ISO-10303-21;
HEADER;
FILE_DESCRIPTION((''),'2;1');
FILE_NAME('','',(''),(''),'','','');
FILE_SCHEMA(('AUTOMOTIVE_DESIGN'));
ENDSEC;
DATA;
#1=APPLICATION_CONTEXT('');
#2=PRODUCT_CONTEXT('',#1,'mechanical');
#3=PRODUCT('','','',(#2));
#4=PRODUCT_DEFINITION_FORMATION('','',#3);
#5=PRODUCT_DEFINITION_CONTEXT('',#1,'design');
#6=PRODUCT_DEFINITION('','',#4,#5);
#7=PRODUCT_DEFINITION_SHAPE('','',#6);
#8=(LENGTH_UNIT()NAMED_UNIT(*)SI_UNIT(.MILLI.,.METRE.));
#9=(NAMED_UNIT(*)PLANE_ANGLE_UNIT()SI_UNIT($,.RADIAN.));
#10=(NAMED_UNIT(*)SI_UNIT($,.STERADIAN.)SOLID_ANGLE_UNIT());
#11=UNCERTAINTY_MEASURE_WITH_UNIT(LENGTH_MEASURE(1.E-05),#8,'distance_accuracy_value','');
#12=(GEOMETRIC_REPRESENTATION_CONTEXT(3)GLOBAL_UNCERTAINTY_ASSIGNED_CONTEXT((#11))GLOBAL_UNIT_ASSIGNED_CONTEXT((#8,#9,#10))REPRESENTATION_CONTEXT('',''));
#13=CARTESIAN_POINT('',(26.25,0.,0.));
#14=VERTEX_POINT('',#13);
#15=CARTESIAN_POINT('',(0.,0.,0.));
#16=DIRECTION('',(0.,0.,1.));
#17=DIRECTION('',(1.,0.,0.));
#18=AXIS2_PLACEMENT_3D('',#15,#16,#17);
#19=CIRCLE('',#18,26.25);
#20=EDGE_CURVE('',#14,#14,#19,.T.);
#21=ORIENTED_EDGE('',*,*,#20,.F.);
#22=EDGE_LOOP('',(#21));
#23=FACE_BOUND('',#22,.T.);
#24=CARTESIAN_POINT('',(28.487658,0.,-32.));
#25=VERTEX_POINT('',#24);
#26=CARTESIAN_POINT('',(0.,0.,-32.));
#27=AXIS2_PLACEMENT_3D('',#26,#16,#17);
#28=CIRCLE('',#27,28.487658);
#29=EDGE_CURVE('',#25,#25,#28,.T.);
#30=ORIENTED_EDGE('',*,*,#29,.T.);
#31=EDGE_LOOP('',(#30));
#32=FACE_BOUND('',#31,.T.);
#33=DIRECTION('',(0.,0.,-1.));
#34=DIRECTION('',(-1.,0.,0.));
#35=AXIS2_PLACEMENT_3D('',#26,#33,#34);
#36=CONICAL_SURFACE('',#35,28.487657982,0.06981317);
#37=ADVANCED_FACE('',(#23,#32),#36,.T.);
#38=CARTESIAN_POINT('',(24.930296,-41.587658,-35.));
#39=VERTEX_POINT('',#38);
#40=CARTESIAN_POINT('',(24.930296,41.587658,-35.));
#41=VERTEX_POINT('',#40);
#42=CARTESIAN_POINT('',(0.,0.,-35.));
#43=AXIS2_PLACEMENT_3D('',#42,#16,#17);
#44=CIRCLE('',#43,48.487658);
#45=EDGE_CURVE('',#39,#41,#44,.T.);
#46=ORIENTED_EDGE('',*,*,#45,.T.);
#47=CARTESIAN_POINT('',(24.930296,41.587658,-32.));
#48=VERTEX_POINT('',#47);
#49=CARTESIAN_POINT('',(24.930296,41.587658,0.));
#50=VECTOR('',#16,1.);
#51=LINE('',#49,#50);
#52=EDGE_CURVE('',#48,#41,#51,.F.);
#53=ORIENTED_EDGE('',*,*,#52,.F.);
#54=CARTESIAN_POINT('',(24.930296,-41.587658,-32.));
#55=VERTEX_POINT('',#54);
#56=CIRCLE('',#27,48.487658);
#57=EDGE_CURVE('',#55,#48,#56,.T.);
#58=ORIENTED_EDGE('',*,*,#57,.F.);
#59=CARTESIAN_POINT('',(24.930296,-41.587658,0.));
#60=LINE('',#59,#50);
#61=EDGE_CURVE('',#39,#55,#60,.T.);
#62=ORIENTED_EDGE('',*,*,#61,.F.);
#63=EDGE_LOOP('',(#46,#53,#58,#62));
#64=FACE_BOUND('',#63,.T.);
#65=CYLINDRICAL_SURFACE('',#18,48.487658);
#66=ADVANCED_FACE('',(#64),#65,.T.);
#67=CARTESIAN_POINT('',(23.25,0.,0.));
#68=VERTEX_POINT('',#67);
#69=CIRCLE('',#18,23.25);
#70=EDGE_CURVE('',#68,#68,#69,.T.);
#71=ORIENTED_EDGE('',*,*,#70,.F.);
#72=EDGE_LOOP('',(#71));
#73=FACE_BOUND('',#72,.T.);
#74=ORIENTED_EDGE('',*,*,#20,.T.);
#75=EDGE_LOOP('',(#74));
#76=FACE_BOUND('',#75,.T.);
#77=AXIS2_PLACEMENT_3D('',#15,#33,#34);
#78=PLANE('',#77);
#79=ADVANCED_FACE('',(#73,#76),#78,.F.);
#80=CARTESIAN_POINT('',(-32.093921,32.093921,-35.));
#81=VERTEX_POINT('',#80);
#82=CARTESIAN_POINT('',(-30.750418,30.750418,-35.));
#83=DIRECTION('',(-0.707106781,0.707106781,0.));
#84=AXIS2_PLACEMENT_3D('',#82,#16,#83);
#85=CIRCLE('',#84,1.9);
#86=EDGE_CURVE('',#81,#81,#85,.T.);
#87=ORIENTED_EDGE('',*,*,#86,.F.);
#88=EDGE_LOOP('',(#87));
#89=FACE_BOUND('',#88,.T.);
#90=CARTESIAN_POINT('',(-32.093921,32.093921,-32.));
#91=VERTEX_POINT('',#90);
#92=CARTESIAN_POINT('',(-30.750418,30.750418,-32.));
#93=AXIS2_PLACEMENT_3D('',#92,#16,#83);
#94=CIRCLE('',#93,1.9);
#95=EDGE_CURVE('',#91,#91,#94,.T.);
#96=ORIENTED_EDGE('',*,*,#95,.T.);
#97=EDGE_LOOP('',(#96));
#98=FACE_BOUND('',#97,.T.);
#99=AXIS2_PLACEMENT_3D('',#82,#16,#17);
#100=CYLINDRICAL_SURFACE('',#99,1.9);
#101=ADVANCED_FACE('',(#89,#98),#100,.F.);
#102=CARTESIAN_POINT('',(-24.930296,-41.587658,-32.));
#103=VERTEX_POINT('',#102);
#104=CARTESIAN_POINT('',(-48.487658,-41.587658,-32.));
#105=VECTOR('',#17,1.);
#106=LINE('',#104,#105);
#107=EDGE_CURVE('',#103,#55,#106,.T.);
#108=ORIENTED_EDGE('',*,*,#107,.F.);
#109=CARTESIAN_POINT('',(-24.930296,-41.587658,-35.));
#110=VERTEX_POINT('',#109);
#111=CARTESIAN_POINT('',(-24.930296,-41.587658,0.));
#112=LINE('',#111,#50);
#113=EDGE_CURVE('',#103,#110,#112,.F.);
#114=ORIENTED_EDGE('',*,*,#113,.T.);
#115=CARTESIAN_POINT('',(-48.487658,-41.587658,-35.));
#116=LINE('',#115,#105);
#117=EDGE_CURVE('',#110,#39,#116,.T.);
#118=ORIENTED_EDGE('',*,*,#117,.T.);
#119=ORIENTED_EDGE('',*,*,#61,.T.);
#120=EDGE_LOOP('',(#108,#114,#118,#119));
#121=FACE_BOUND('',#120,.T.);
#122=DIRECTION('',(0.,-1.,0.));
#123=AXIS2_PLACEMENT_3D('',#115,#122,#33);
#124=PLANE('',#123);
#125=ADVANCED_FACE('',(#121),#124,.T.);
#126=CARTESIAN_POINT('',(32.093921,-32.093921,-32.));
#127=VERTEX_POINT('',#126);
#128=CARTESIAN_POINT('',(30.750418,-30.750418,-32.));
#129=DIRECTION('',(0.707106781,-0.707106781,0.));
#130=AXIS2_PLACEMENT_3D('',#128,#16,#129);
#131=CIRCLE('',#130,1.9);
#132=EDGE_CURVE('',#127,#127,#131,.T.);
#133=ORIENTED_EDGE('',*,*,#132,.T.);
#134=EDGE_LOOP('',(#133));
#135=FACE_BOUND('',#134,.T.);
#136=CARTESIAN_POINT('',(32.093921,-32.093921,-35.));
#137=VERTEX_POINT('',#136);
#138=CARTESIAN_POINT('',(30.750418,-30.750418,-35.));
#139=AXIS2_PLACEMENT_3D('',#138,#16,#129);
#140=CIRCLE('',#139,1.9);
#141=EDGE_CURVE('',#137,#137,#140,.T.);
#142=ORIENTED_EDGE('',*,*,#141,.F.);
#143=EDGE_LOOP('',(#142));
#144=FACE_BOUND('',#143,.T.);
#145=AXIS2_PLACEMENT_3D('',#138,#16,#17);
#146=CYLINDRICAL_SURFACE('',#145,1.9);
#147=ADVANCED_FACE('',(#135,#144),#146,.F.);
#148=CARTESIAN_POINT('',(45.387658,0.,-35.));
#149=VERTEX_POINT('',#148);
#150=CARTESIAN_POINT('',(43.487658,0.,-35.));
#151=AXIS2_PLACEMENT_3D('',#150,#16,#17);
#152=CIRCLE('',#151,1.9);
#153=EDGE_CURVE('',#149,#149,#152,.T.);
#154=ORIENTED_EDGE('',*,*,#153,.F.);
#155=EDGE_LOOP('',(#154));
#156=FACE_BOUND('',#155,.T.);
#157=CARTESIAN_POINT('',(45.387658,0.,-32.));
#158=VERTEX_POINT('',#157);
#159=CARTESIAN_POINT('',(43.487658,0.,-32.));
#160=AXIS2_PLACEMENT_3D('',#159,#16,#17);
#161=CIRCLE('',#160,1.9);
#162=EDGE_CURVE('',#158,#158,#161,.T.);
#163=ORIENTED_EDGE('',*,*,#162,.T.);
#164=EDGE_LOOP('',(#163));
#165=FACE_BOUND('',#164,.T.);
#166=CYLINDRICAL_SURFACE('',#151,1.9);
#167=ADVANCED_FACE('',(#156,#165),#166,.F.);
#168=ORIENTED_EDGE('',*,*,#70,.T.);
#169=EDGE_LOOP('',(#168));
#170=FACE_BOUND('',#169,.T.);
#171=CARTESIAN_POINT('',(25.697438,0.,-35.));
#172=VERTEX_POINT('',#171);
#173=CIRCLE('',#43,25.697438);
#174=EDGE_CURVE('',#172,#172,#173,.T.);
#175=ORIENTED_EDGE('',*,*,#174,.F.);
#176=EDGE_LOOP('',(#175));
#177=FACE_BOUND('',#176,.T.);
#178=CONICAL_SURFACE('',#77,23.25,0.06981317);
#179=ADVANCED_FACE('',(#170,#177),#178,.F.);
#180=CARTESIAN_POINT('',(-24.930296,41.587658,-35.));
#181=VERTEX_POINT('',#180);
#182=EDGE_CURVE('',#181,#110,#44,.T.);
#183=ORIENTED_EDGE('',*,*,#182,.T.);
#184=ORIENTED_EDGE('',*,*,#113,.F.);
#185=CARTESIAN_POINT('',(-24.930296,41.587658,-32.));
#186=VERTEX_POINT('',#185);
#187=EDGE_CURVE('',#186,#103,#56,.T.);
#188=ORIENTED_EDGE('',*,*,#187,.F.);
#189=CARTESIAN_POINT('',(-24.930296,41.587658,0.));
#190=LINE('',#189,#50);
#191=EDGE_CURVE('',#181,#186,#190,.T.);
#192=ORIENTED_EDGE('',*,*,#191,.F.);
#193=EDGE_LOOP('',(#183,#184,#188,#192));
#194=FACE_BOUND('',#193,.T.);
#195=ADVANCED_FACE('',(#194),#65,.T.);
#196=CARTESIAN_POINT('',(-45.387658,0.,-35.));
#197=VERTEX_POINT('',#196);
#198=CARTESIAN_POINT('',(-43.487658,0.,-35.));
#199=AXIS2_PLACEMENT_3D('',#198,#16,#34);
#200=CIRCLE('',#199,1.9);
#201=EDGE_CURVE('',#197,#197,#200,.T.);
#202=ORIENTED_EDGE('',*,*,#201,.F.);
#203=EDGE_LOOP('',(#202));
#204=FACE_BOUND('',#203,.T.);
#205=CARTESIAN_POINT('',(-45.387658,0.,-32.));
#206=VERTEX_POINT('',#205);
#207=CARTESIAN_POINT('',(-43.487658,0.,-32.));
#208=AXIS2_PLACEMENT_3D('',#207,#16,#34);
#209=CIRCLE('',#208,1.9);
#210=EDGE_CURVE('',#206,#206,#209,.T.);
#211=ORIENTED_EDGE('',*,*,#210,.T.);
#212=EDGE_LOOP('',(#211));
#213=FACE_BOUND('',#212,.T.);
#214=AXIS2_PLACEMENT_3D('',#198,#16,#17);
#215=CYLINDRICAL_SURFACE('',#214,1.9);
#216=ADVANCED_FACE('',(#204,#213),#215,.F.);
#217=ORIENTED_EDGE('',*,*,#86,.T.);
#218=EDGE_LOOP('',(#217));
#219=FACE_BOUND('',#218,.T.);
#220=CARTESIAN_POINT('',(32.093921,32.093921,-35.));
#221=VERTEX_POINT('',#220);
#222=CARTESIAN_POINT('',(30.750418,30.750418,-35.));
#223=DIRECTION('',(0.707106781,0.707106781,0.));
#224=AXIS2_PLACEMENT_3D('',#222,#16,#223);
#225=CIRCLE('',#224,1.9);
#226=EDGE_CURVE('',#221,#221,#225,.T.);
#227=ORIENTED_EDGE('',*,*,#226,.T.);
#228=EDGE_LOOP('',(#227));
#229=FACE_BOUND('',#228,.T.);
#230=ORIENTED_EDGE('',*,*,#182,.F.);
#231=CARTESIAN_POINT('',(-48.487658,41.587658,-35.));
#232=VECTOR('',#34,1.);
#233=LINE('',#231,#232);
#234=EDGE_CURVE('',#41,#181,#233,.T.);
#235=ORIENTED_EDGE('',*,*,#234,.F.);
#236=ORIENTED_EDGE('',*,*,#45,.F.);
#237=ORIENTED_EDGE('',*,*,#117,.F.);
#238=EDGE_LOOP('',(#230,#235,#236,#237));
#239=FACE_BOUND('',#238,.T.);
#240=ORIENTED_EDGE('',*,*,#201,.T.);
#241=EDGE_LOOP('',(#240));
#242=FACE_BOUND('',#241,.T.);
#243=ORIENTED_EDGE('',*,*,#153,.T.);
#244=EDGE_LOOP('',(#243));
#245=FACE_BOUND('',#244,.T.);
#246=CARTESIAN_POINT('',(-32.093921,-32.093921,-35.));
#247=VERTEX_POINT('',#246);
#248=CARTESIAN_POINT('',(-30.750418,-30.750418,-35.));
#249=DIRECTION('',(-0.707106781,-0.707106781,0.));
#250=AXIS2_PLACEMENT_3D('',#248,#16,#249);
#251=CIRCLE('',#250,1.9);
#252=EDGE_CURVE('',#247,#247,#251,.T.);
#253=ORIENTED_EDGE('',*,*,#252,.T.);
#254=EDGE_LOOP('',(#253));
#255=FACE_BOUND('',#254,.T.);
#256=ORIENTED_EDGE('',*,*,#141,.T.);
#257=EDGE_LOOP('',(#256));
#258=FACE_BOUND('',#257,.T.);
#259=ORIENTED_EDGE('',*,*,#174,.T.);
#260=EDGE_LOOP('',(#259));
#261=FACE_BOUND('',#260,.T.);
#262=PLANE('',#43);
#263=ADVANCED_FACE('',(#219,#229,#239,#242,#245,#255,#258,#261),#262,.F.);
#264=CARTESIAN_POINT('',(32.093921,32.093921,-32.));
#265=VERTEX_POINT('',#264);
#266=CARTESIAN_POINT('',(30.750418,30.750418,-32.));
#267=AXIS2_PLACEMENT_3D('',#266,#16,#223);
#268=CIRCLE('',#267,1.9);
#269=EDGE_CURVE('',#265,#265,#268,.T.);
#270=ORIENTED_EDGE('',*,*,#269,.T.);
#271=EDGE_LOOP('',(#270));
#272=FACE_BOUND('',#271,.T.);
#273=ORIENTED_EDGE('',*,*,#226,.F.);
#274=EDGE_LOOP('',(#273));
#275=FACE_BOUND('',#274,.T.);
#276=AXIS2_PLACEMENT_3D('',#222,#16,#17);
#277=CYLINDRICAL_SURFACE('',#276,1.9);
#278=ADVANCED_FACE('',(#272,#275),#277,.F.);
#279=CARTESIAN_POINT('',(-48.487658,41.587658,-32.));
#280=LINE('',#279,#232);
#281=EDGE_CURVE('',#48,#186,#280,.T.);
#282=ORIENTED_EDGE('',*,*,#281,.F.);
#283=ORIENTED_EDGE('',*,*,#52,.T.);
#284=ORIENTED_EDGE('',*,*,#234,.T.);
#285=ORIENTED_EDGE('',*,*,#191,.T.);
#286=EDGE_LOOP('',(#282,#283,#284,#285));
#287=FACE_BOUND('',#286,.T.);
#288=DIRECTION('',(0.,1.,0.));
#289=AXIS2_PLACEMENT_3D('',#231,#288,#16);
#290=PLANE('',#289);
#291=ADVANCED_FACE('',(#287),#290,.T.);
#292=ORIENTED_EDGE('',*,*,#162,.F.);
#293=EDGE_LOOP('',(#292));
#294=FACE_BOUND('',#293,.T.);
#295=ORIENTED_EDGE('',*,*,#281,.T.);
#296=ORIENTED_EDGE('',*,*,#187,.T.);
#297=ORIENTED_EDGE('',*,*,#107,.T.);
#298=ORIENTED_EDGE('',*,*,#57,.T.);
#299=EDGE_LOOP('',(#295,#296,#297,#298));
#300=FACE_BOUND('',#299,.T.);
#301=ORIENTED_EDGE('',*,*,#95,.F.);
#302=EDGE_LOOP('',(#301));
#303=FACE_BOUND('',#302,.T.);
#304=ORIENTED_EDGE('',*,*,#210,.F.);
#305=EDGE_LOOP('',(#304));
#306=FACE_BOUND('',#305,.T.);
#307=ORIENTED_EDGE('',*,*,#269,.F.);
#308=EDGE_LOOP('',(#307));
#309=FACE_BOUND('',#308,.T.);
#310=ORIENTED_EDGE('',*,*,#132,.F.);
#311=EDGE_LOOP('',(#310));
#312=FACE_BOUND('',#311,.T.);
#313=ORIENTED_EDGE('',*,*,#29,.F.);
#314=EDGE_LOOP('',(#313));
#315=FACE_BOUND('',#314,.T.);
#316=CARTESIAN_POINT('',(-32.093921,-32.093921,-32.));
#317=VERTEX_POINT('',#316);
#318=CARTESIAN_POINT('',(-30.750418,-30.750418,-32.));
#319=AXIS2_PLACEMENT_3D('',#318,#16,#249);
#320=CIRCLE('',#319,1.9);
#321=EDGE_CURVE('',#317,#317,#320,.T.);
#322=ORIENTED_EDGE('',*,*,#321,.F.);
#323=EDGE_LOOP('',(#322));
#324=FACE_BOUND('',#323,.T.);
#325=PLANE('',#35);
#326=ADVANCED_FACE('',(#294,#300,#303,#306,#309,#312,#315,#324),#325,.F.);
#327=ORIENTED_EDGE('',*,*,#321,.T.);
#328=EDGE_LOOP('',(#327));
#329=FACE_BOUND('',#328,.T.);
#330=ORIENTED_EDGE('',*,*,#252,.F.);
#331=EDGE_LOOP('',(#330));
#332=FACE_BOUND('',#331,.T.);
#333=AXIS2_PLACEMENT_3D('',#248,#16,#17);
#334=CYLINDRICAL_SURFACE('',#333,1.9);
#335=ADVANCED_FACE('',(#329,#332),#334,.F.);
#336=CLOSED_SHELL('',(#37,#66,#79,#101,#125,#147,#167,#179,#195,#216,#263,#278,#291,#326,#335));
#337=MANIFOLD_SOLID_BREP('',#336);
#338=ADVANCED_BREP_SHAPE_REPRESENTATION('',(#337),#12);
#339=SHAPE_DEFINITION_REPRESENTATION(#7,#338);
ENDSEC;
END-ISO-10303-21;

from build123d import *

# Parameters (mm, degrees)
SKETCH3_R          = 1.9
CUT_EXTRUDE1_DEPTH = 4
CIRPATTERN1_COUNT  = 8
SKETCH4_W          = 196.975315964
SKETCH4_H          = 183.175315964
SKETCH4_W_2        = 96.975315964
SKETCH4_H_2        = 83.175315964
CUT_EXTRUDE2_DEPTH = 4


with BuildPart() as part:
    # Sketch2 → Revolve1 (revolve)
    with BuildSketch(Plane(origin=(0, 0, 0), x_dir=(1, 0, 0), z_dir=(0, 1, 0))):
        Polygon((-28.697438418, 35), (-26.25, 0), (-23.25, 0), (-25.697438418, 35), align=None)
        Polygon((-28.487657982, 32), (-28.697438418, 35), (-48.487657982, 35), (-48.487657982, 32), align=None)
    revolve(axis=Axis((0, 0, 0), (0, 0, -1)))

    # Sketch3 → Cut-Extrude1 (cut, through all)
    with BuildSketch(Plane.XY.offset(-32)):
        with Locations((43.487657982, 0)):
            Circle(SKETCH3_R)
    cut_extrude1 = extrude(amount=-CUT_EXTRUDE1_DEPTH, mode=Mode.SUBTRACT)

    # CirPattern1: Cut-Extrude1 ×8 about axis
    cirpattern1_axis = Axis((0, 0, 0), (0, 0, 1))
    for i in range(1, CIRPATTERN1_COUNT):
        add(cut_extrude1.rotate(cirpattern1_axis, i * 360 / CIRPATTERN1_COUNT), mode=Mode.SUBTRACT)

    # Sketch4 → Cut-Extrude2 (cut, through all)
    with BuildSketch(Plane.XY.offset(-32)):
        Rectangle(SKETCH4_W, SKETCH4_H)
        Rectangle(SKETCH4_W_2, SKETCH4_H_2, mode=Mode.SUBTRACT)
    extrude(amount=-CUT_EXTRUDE2_DEPTH, mode=Mode.SUBTRACT)


solid = part.part
